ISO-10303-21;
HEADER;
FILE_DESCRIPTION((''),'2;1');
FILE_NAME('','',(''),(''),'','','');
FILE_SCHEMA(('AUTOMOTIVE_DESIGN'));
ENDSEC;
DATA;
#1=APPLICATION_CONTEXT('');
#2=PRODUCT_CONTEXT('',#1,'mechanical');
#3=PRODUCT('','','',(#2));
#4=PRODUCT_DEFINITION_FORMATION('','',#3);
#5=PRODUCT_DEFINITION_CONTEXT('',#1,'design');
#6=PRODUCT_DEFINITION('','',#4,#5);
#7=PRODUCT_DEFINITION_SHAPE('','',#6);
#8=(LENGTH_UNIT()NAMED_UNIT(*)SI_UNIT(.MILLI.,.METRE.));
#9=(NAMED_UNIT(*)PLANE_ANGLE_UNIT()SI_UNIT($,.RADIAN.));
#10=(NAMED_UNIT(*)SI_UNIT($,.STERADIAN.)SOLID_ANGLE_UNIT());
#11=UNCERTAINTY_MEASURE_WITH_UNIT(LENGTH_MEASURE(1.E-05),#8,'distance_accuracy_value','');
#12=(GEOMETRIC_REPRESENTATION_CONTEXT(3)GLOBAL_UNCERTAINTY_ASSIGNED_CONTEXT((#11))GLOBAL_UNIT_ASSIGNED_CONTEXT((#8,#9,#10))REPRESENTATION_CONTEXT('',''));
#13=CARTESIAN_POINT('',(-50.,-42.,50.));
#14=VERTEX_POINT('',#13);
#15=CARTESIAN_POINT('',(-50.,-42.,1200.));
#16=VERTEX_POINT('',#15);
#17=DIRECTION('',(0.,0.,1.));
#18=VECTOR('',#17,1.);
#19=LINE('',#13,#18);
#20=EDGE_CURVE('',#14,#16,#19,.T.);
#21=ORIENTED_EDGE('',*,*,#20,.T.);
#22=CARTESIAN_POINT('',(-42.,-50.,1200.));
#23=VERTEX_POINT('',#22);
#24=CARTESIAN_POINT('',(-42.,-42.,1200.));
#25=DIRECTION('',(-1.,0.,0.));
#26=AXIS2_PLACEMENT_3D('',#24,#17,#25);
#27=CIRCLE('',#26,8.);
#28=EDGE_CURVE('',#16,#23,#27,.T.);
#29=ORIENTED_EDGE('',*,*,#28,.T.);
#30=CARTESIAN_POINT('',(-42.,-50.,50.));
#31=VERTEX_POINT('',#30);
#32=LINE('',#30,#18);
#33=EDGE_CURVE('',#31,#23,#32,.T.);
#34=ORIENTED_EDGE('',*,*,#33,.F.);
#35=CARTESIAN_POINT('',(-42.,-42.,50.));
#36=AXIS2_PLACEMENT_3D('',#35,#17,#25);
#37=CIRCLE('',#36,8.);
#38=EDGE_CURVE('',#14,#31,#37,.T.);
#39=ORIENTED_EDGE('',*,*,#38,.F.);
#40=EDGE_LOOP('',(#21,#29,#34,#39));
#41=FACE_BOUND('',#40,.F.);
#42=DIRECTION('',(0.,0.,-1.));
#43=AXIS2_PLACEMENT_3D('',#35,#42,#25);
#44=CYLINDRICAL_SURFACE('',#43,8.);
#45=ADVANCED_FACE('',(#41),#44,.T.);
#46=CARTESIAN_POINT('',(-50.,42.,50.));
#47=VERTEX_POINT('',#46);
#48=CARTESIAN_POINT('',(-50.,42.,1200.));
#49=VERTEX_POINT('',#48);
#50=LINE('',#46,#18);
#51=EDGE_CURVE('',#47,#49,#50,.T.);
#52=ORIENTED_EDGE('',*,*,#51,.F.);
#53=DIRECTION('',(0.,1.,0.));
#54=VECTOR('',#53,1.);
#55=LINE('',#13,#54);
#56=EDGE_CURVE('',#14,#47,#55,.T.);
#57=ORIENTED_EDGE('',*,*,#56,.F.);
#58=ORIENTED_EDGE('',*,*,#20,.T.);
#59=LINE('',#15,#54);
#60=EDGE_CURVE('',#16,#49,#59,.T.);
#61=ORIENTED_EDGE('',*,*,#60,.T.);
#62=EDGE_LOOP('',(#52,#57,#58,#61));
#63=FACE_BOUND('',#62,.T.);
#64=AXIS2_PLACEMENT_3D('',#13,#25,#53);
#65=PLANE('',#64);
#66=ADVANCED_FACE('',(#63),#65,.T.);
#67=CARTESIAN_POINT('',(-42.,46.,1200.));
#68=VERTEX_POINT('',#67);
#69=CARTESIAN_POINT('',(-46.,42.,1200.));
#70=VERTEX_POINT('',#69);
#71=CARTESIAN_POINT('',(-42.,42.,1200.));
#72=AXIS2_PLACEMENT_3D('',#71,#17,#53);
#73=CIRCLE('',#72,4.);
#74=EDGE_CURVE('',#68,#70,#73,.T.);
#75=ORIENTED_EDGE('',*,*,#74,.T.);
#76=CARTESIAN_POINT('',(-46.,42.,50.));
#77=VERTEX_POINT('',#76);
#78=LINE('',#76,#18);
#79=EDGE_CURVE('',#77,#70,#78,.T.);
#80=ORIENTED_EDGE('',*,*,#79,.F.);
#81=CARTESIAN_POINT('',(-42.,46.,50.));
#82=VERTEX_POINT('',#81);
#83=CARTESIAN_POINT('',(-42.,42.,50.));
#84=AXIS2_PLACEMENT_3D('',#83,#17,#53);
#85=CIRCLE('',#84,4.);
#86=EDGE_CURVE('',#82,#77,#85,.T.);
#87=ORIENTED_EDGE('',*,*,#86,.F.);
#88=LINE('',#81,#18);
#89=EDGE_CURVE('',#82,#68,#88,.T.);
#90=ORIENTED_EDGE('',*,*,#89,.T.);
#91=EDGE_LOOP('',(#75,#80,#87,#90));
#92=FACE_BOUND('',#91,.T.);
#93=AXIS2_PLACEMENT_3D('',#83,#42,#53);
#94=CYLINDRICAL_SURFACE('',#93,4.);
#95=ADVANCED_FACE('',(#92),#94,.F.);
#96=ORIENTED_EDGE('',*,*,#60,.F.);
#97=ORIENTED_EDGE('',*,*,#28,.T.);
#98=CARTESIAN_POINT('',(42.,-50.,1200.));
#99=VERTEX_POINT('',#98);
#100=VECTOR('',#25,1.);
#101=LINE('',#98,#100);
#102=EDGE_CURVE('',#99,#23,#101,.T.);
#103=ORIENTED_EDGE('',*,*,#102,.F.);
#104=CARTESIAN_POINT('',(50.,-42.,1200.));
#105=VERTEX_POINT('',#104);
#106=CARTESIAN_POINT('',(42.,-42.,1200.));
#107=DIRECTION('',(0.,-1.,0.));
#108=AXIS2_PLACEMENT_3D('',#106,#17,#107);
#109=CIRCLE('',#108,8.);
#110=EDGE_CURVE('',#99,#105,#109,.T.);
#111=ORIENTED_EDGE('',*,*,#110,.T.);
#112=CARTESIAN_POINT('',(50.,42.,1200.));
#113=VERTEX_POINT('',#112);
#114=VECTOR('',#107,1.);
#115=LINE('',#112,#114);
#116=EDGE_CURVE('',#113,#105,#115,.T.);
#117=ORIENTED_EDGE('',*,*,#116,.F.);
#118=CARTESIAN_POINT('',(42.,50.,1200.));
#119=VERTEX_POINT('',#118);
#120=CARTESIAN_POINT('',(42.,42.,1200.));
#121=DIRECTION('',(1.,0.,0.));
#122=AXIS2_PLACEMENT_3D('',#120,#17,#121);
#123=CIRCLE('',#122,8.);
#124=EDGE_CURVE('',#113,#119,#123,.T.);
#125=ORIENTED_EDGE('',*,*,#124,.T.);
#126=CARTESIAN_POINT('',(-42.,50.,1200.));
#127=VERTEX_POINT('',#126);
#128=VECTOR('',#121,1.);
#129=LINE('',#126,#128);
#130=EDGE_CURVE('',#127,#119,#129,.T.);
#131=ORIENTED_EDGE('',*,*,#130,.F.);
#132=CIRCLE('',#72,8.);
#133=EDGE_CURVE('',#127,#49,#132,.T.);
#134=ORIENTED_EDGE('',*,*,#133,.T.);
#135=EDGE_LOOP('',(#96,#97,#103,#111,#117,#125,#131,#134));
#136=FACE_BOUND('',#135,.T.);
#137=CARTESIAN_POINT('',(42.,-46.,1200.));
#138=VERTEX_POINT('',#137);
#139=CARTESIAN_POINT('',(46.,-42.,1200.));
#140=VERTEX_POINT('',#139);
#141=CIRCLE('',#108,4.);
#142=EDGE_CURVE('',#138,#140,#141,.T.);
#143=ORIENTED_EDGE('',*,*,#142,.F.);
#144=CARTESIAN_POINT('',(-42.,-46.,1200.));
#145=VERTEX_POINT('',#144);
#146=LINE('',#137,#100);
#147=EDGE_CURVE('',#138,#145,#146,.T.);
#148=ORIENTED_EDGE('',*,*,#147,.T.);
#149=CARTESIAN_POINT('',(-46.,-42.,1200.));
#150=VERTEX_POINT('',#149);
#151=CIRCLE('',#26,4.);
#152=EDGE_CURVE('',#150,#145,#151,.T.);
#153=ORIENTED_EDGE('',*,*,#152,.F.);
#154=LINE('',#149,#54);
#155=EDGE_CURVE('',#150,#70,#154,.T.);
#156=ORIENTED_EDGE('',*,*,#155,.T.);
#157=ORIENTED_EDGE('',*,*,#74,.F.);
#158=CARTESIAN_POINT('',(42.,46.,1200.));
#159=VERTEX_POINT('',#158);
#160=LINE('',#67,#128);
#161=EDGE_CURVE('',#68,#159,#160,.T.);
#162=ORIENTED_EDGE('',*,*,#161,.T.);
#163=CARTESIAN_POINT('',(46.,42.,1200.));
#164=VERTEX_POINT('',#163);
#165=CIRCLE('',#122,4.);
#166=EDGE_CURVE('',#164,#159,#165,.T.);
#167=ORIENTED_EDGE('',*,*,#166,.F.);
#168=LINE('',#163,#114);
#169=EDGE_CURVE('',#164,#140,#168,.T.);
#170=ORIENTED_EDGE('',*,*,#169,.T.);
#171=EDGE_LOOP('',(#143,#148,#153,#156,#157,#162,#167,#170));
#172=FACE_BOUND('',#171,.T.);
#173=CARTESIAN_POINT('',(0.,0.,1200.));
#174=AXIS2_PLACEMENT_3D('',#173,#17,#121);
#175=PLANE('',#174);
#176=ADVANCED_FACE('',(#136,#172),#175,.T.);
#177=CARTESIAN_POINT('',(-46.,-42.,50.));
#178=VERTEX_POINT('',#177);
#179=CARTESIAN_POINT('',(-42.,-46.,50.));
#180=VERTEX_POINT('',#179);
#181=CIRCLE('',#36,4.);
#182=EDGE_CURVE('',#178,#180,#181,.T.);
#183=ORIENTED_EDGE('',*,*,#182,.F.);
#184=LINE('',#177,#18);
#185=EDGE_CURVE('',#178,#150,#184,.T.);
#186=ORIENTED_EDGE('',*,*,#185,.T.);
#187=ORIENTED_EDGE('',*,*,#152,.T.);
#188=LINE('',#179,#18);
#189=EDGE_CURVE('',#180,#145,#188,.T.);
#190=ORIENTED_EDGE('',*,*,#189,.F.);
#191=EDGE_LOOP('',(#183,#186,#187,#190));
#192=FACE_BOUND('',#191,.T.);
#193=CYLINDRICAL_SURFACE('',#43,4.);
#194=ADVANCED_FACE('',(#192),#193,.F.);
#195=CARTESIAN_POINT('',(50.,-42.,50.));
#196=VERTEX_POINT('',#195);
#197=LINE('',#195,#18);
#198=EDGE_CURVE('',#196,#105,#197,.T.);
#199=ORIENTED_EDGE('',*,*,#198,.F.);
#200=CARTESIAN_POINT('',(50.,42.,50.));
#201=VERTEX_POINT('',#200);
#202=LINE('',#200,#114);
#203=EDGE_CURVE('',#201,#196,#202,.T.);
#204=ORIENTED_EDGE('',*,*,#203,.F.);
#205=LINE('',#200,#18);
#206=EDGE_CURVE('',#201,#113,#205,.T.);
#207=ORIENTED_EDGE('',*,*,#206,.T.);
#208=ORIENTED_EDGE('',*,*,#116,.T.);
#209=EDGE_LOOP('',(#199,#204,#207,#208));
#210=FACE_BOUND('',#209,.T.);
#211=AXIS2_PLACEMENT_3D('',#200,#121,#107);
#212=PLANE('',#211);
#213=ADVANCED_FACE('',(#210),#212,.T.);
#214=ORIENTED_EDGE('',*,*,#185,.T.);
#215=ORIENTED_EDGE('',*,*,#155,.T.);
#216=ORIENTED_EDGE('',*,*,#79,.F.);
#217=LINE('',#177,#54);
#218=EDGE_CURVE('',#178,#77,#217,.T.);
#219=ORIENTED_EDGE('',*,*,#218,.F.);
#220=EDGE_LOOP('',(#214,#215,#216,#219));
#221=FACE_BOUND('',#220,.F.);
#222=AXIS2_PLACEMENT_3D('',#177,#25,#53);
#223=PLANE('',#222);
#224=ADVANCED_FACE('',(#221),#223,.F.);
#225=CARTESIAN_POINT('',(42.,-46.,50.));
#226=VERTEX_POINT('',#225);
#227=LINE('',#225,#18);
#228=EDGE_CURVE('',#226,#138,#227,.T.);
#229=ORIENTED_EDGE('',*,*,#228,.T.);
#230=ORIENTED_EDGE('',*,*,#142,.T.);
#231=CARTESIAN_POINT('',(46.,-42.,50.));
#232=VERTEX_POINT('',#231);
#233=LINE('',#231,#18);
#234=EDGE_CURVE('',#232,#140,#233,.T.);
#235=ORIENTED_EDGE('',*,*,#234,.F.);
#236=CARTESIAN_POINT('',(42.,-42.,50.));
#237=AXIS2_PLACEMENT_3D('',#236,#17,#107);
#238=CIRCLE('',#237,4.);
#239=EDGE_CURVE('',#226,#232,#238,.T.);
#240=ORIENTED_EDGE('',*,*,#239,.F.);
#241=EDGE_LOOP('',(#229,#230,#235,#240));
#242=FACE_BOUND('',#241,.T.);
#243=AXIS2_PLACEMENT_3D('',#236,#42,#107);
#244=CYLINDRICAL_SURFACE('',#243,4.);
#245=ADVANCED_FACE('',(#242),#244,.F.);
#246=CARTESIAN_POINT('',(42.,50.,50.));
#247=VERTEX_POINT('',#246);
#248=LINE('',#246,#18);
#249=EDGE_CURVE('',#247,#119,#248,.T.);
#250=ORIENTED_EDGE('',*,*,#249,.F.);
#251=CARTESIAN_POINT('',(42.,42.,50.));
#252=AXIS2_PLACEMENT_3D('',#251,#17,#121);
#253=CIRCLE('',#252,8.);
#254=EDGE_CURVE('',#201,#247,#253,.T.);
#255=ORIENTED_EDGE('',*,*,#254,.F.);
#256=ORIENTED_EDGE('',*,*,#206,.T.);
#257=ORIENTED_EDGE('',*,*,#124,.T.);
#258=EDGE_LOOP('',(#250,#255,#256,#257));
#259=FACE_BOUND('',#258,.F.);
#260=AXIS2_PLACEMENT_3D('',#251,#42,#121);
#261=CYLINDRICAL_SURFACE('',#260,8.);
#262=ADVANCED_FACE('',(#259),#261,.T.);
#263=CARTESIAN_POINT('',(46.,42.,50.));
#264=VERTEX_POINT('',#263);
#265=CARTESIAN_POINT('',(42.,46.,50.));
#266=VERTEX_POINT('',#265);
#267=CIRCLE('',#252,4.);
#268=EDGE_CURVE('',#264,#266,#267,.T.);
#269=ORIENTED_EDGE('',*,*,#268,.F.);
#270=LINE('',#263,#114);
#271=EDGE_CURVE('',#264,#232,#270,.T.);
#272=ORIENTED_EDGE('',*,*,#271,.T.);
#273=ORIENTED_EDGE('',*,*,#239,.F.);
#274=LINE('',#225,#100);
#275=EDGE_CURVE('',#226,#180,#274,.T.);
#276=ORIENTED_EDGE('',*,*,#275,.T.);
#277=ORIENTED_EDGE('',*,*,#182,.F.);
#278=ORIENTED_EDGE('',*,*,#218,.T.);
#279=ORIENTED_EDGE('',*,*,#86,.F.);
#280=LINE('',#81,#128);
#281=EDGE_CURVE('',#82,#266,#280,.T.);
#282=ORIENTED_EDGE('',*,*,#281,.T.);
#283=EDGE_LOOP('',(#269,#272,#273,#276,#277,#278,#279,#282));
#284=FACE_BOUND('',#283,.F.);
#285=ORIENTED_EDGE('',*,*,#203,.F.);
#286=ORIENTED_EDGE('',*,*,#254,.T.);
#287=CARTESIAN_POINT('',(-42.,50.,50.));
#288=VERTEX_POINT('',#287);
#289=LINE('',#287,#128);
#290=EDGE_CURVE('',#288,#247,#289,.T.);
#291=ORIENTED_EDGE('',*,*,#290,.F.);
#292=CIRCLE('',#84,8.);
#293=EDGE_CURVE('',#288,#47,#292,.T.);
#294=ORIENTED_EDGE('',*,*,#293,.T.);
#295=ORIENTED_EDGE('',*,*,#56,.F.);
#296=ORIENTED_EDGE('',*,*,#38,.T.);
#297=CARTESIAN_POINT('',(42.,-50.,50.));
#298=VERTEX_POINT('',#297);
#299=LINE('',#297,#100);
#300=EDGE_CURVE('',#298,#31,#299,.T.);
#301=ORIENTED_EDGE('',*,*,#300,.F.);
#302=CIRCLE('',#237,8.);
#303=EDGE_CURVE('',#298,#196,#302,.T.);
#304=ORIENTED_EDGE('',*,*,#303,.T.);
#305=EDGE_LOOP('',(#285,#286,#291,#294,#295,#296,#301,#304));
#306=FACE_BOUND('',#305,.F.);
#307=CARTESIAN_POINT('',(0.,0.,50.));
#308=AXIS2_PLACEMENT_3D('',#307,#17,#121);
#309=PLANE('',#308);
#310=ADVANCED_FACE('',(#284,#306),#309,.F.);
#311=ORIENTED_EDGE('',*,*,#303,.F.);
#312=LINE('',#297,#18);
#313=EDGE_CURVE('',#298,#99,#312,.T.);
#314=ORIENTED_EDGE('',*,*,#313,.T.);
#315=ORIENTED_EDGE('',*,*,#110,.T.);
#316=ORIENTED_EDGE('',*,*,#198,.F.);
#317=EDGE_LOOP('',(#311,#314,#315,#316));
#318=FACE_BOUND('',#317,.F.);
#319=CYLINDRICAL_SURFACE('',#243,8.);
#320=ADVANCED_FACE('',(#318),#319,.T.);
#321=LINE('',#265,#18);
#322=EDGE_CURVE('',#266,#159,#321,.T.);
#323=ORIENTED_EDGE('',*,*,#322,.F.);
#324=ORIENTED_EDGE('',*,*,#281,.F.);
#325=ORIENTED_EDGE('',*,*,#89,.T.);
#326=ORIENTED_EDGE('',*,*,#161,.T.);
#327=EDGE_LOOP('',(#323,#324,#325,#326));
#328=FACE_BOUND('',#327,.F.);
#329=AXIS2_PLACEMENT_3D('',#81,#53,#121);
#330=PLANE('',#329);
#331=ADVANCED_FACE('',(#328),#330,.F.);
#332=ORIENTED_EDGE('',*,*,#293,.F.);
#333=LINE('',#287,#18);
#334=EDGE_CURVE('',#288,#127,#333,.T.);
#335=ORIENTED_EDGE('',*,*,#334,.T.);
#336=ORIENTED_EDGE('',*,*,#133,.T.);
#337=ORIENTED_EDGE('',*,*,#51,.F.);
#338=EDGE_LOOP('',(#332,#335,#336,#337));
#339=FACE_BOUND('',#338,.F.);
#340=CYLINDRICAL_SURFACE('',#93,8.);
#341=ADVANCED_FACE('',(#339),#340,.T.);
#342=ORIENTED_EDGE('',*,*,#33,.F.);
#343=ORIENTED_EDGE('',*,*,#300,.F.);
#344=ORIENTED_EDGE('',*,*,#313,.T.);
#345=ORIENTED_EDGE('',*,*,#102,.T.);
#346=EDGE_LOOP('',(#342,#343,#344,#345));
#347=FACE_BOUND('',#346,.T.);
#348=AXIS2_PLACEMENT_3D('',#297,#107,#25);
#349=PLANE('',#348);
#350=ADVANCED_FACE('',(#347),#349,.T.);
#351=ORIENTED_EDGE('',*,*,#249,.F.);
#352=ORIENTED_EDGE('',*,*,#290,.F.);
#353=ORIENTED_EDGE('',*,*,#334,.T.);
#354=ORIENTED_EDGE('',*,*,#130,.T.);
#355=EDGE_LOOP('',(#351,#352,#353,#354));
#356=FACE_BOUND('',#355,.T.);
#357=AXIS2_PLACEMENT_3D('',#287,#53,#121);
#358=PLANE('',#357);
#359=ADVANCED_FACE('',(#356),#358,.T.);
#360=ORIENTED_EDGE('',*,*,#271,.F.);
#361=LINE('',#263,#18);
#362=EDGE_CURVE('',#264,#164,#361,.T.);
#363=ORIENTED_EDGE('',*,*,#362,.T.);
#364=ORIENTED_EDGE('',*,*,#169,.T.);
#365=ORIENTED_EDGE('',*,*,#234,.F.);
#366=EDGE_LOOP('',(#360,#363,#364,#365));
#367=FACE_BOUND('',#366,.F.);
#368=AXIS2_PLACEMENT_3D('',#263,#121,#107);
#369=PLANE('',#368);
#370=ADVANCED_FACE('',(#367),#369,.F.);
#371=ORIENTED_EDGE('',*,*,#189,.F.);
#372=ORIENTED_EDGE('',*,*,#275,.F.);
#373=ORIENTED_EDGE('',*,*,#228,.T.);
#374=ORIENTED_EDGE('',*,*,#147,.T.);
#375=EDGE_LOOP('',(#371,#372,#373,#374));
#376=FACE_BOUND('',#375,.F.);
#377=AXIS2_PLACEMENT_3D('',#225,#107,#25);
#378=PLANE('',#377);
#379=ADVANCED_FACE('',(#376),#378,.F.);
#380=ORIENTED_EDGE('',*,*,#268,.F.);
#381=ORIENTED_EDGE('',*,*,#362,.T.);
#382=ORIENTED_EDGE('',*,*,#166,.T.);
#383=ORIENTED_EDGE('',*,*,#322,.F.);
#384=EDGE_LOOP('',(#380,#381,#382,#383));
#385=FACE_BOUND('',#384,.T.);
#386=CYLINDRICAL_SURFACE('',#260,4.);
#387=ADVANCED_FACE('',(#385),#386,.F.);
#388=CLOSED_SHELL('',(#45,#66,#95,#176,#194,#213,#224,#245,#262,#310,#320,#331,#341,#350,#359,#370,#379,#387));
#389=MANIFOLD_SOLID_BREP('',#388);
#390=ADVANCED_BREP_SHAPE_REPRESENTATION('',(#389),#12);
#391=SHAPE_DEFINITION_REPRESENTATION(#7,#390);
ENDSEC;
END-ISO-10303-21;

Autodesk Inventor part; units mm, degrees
ref_plane "YZ Plane" through (0, 0, 0) normal (1, 0, 0) x (0, 1, 0)
ref_plane "Start Plane" through (0, 0, 50) normal (0, 0, 1) x (1, 0, 0)
ref_plane "End Plane" through (0, 0, 1200) normal (0, 0, 1) x (1, 0, 0)
sketch "Sketch" plane through (0, 0, 0) normal (0, 0, 1) x (1, 0, 0)
  line L0 (-50, -42) -> (-50, 42)
  line L1 (-42, 50) -> (42, 50)
  line L2 (50, 42) -> (50, -42)
  line L3 (42, -50) -> (-42, -50)
  arc A0 (-50, -42) -> (-42, -50) centre (-42, -42) ccw
  arc A1 (50, 42) -> (42, 50) centre (42, 42) ccw
  arc A2 (-42, 50) -> (-50, 42) centre (-42, 42) ccw
  arc A3 (42, -50) -> (50, -42) centre (42, -42) ccw
  arc A4 (-42, 46) -> (-46, 42) centre (-42, 42) ccw
  line L4 (-42, 46) -> (42, 46)
  arc A5 (46, 42) -> (42, 46) centre (42, 42) ccw
  line L5 (46, 42) -> (46, -42)
  arc A6 (42, -46) -> (46, -42) centre (42, -42) ccw
  line L6 (42, -46) -> (-42, -46)
  arc A7 (-46, -42) -> (-42, -46) centre (-42, -42) ccw
  line L7 (-46, -42) -> (-46, 42)
  line L8 (0, 72.3196) -> (0, -72.3196) construction
  line L9 (-72.3196, 0) -> (72.3196, 0) construction
  dimension "d7" = 8
  dimension "d9" = 100
  dimension "d11" = 100
  dimension "d12" = 4
  dimension "d15" = 50
  dimension "d16" = 50
extrude "Body" add sketch "Sketch" along normal up to surface (1150 mm away) from surface at 50
sketch "Sketch3" plane through (0, 0, 0) normal (0, 0, 1) x (1, 0, 0)
  line L0 (0, 0) -> (10, 0)
ref_plane "Work Plane3" through (0, 0, 0) normal (0, -1, 0) x (1, 0, 0)
sketch "Sketch4" plane through (0, 0, 0) normal (0, -1, 0) x (1, 0, 0)
  line L0 (-2, 50) -> (12, 50) projected
  line L1 (-2, 1200) -> (12, 1200) projected
  dimension "d18" = 1150
equation "\"d7\" = G_IR"
equation "\"d9\" = G_W"
equation "\"d11\" = G_H"
equation "\"d12\" = G_T"
equation "\"d15\" = 0.5 * d9"
equation "\"d16\" = 0.5 * d11"
equation "\"d3\" = G_L"
equation "\"G_W\" = 100"
equation "\"G_H\" = 100"
equation "\"G_T\" = 4"
equation "\"G_IR\" = 8"
equation "\"G_L\" = d18"
properties part number "ISO 10799-2 - 100x100x4 - 1150" material "Steel, Mild"
